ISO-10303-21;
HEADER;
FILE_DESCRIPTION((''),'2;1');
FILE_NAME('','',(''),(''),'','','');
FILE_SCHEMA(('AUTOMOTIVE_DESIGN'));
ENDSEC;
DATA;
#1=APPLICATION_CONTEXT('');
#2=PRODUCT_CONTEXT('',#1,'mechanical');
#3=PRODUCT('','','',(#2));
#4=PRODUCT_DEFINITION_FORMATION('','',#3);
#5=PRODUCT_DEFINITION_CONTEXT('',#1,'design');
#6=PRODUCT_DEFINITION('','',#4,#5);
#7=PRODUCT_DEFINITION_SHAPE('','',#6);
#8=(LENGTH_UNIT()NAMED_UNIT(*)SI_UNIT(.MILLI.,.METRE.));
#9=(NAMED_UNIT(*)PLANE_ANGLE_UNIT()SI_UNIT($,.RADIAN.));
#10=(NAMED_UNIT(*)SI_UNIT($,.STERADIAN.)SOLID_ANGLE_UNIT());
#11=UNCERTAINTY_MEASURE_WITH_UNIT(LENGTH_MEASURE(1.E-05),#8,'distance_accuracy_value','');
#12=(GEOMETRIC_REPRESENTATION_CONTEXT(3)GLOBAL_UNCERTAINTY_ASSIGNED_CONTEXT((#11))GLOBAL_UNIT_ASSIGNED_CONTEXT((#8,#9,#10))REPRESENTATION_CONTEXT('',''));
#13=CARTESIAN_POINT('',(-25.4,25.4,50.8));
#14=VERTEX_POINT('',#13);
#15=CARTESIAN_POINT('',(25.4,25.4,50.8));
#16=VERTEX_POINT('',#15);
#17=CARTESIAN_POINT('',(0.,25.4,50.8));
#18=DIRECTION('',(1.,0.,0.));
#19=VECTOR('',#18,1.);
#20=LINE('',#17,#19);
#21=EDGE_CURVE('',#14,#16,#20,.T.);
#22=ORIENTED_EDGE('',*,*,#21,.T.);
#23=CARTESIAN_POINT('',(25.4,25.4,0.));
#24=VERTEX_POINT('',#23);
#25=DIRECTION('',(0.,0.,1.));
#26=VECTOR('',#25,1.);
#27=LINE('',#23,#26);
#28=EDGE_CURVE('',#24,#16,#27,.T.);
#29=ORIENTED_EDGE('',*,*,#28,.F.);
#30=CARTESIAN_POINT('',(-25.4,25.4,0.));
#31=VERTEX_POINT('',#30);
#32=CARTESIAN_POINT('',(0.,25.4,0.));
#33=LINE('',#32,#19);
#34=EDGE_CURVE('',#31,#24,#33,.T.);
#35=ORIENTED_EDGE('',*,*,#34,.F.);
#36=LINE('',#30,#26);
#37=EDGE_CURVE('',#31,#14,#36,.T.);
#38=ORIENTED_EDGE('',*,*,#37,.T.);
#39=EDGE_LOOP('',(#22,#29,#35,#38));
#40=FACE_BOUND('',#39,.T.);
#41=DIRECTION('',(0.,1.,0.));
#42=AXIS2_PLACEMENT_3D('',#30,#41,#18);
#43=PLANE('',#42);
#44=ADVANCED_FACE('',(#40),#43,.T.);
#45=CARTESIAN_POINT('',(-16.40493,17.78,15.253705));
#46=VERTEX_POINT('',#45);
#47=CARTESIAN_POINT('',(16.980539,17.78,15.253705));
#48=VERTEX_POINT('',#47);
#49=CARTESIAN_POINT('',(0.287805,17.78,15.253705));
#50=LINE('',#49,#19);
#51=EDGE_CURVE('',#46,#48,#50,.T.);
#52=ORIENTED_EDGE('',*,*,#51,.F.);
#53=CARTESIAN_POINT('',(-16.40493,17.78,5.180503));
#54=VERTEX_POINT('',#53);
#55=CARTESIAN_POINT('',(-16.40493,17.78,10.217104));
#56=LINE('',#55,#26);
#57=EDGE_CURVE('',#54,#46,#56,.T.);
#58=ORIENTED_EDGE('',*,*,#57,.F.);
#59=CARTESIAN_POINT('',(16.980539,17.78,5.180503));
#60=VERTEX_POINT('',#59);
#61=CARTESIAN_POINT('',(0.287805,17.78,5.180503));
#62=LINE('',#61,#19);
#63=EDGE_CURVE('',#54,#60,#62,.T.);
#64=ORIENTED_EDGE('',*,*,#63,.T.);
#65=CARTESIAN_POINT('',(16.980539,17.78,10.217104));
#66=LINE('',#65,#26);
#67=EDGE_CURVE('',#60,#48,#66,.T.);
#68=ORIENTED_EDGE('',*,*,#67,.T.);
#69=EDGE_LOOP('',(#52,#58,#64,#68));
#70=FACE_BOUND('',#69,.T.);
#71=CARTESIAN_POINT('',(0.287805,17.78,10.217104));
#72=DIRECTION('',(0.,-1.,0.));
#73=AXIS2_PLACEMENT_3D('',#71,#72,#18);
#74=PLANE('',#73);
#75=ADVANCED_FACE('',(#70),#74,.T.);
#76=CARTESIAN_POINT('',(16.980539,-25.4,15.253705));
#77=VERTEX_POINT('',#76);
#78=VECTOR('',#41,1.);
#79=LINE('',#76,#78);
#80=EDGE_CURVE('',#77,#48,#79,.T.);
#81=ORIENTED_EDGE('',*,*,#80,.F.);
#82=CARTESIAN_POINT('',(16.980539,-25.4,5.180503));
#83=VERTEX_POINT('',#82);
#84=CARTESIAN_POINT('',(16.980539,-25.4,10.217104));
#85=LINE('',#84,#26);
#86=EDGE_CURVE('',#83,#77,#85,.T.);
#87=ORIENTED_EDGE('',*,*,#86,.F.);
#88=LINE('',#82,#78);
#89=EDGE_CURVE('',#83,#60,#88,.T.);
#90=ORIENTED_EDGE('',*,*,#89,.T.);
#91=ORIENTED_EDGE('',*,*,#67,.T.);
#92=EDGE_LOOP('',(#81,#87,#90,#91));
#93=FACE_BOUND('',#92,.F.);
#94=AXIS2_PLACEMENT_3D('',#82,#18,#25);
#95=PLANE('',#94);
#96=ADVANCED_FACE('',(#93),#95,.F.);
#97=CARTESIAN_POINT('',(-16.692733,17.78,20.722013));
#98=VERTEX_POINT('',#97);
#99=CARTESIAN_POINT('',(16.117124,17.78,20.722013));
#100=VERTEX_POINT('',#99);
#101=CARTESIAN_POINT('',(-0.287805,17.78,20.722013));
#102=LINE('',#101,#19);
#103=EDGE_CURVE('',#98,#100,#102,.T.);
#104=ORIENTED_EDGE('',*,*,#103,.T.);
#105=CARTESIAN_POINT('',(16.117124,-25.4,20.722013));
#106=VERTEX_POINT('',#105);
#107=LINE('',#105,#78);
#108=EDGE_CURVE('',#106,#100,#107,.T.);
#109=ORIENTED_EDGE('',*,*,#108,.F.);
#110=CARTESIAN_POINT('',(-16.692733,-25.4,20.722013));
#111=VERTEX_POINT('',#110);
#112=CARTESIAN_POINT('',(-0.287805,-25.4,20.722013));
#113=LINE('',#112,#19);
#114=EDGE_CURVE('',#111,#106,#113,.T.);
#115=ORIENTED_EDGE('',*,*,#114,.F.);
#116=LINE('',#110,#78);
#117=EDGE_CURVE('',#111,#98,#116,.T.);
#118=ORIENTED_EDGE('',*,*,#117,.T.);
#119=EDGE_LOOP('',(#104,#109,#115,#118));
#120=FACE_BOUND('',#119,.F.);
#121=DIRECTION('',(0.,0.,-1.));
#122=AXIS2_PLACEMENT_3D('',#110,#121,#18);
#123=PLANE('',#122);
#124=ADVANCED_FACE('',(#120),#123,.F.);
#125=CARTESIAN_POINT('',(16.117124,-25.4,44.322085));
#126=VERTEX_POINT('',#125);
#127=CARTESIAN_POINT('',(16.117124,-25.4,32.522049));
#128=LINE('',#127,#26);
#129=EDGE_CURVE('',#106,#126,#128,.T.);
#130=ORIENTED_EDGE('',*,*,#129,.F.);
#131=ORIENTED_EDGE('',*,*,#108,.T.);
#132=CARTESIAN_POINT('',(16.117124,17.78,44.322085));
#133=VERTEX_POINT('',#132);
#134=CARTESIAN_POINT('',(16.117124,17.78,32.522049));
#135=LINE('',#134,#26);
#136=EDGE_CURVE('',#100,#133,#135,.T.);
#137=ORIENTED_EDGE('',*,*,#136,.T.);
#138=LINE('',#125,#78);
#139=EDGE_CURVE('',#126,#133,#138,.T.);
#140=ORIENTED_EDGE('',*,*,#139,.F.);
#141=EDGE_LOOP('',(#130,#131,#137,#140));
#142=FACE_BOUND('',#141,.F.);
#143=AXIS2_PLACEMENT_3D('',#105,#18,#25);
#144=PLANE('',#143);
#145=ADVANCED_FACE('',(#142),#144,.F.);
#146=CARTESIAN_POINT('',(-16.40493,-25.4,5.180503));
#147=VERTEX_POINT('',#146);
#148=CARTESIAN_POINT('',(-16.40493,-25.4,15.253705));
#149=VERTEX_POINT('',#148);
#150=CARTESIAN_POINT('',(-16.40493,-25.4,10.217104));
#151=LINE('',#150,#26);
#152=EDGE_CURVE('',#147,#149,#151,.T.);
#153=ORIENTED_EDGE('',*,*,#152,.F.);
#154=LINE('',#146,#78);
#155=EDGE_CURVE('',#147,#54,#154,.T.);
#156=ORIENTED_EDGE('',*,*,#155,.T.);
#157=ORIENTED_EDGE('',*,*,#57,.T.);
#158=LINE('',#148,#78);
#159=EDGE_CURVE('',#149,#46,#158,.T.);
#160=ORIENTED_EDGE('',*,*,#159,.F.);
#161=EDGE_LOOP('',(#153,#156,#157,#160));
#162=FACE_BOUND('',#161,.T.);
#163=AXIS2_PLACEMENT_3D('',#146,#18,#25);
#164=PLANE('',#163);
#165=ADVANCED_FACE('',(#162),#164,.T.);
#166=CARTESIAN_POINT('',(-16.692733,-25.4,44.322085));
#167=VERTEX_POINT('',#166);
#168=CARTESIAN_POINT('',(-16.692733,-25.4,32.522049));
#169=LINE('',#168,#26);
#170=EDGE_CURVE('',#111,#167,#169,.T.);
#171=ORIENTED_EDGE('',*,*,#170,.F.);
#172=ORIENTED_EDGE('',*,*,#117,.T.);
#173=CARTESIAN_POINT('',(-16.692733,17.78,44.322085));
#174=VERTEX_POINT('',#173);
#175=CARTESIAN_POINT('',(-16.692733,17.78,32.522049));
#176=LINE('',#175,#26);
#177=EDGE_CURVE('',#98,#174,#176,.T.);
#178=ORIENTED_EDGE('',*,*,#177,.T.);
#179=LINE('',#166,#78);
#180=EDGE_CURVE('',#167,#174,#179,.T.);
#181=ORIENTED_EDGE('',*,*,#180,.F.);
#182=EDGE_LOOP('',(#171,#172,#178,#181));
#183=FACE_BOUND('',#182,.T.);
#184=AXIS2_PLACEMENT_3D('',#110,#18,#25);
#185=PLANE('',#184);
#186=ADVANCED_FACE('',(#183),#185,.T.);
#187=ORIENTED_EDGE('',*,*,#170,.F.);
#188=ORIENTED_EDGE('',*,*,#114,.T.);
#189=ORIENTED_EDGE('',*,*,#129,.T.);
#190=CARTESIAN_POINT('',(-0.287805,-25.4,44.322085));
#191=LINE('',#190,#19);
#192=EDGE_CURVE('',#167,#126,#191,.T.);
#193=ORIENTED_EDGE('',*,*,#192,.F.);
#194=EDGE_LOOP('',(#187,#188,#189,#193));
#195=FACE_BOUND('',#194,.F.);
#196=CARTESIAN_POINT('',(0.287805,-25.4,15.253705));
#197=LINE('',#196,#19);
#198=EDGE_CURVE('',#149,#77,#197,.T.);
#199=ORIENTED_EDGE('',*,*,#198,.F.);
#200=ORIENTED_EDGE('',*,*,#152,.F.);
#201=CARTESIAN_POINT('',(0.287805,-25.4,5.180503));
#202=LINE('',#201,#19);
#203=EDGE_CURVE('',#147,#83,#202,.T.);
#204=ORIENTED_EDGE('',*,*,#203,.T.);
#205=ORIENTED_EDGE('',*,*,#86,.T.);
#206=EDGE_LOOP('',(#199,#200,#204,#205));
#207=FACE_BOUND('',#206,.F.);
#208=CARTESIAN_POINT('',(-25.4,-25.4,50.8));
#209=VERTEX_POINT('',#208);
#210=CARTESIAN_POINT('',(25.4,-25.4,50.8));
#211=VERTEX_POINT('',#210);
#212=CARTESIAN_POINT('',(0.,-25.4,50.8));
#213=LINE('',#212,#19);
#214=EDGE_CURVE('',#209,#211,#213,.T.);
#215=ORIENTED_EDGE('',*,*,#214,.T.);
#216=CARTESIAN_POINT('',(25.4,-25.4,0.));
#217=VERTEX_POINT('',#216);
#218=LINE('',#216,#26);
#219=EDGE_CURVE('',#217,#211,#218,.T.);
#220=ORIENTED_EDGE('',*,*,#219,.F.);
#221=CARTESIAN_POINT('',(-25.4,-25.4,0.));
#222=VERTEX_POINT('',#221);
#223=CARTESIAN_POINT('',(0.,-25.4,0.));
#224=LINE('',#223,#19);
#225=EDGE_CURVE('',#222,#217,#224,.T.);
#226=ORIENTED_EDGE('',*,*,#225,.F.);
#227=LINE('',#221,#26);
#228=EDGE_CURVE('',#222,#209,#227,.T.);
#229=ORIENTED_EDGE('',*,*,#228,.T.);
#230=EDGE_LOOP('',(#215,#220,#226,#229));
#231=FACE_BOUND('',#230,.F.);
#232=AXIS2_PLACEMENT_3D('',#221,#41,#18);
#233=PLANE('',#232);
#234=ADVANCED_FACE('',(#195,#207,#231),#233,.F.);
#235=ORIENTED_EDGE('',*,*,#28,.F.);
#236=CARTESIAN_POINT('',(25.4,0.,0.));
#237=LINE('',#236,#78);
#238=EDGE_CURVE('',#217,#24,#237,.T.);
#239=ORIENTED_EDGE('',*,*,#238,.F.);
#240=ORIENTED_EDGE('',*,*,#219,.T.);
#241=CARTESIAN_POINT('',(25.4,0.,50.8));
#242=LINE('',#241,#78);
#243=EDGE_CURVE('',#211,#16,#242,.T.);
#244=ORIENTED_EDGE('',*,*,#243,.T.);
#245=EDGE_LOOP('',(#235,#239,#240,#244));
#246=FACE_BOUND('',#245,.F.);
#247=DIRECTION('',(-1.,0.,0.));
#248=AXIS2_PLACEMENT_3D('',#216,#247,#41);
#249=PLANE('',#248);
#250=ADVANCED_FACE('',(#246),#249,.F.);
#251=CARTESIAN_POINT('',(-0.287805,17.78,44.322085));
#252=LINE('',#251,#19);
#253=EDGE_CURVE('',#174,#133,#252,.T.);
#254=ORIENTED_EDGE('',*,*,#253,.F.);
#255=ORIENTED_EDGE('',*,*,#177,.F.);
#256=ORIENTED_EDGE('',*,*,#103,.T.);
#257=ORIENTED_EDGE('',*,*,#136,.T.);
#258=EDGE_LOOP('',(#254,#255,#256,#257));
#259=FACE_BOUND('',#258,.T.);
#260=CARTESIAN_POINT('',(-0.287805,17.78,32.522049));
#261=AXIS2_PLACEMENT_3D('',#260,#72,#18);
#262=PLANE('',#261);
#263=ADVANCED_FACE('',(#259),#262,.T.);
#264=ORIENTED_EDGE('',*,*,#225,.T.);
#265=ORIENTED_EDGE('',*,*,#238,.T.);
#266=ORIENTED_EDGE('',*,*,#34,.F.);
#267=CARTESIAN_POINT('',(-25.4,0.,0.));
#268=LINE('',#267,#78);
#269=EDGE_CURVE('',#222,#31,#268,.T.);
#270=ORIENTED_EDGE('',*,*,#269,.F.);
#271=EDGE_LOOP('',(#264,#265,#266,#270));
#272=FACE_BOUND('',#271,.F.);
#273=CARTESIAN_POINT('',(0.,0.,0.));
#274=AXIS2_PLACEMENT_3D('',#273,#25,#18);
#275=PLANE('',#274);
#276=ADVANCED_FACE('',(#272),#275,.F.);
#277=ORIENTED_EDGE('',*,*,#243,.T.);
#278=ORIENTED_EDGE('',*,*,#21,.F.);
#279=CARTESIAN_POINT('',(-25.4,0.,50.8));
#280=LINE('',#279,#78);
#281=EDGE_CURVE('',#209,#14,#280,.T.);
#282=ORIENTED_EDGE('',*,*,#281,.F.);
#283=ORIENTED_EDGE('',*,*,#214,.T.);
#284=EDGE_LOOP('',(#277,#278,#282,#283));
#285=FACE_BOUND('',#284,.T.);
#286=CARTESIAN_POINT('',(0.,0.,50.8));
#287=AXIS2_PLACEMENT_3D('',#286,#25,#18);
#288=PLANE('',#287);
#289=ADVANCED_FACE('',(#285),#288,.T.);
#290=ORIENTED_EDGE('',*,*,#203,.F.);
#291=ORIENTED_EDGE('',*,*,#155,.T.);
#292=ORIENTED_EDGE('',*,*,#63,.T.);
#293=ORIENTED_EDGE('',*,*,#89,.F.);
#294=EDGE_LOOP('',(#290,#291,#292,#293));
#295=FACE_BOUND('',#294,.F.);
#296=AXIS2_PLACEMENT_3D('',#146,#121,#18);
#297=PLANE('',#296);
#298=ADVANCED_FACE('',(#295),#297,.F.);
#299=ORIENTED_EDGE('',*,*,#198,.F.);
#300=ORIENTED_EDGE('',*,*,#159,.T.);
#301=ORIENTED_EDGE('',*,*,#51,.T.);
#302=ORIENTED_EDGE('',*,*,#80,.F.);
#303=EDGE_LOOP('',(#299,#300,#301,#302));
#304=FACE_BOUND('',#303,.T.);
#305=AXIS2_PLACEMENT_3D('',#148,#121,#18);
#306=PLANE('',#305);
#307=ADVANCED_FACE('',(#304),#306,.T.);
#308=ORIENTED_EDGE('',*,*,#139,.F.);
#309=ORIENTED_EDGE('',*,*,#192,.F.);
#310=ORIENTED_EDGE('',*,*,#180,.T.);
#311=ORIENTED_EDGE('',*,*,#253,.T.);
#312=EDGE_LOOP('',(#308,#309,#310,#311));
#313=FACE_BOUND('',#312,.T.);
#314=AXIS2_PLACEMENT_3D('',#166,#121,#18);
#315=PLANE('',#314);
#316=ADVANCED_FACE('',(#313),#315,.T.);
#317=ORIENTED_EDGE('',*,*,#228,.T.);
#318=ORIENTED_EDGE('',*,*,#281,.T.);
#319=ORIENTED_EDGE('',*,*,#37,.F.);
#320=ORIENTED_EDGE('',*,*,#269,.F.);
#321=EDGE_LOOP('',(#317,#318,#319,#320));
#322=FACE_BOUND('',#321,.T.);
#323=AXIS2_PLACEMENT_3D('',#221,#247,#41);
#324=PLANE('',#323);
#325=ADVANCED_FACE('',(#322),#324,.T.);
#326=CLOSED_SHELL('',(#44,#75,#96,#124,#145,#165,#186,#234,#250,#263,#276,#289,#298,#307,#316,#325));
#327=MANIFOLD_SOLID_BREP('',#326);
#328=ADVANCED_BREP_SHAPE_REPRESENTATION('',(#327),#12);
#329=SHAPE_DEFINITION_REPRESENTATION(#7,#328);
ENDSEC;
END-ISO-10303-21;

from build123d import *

# Parameters (mm, degrees)
F0_W     = 50.8
F0_H     = 50.8
F1_DEPTH = 50.8
F2_W     = 32.809857
F2_H     = 23.600072
F2_W_2   = 33.385469
F2_H_2   = 10.073202
F3_DEPTH = 43.18


with BuildPart() as f1:
    # F0 (on Top) → F1 (new body)
    with BuildSketch(Plane.XY):
        Rectangle(F0_W, F0_H)
    extrude(amount=F1_DEPTH)

    # F2 (on face) → F3 (cut)
    with BuildSketch(Plane.XZ.offset(25.4)):
        with Locations((-0.287805, 32.522049)):
            Rectangle(F2_W, F2_H)
        with Locations((0.287805, 10.217104)):
            Rectangle(F2_W_2, F2_H_2)
    extrude(amount=-F3_DEPTH, mode=Mode.SUBTRACT)


solid = f1.part
